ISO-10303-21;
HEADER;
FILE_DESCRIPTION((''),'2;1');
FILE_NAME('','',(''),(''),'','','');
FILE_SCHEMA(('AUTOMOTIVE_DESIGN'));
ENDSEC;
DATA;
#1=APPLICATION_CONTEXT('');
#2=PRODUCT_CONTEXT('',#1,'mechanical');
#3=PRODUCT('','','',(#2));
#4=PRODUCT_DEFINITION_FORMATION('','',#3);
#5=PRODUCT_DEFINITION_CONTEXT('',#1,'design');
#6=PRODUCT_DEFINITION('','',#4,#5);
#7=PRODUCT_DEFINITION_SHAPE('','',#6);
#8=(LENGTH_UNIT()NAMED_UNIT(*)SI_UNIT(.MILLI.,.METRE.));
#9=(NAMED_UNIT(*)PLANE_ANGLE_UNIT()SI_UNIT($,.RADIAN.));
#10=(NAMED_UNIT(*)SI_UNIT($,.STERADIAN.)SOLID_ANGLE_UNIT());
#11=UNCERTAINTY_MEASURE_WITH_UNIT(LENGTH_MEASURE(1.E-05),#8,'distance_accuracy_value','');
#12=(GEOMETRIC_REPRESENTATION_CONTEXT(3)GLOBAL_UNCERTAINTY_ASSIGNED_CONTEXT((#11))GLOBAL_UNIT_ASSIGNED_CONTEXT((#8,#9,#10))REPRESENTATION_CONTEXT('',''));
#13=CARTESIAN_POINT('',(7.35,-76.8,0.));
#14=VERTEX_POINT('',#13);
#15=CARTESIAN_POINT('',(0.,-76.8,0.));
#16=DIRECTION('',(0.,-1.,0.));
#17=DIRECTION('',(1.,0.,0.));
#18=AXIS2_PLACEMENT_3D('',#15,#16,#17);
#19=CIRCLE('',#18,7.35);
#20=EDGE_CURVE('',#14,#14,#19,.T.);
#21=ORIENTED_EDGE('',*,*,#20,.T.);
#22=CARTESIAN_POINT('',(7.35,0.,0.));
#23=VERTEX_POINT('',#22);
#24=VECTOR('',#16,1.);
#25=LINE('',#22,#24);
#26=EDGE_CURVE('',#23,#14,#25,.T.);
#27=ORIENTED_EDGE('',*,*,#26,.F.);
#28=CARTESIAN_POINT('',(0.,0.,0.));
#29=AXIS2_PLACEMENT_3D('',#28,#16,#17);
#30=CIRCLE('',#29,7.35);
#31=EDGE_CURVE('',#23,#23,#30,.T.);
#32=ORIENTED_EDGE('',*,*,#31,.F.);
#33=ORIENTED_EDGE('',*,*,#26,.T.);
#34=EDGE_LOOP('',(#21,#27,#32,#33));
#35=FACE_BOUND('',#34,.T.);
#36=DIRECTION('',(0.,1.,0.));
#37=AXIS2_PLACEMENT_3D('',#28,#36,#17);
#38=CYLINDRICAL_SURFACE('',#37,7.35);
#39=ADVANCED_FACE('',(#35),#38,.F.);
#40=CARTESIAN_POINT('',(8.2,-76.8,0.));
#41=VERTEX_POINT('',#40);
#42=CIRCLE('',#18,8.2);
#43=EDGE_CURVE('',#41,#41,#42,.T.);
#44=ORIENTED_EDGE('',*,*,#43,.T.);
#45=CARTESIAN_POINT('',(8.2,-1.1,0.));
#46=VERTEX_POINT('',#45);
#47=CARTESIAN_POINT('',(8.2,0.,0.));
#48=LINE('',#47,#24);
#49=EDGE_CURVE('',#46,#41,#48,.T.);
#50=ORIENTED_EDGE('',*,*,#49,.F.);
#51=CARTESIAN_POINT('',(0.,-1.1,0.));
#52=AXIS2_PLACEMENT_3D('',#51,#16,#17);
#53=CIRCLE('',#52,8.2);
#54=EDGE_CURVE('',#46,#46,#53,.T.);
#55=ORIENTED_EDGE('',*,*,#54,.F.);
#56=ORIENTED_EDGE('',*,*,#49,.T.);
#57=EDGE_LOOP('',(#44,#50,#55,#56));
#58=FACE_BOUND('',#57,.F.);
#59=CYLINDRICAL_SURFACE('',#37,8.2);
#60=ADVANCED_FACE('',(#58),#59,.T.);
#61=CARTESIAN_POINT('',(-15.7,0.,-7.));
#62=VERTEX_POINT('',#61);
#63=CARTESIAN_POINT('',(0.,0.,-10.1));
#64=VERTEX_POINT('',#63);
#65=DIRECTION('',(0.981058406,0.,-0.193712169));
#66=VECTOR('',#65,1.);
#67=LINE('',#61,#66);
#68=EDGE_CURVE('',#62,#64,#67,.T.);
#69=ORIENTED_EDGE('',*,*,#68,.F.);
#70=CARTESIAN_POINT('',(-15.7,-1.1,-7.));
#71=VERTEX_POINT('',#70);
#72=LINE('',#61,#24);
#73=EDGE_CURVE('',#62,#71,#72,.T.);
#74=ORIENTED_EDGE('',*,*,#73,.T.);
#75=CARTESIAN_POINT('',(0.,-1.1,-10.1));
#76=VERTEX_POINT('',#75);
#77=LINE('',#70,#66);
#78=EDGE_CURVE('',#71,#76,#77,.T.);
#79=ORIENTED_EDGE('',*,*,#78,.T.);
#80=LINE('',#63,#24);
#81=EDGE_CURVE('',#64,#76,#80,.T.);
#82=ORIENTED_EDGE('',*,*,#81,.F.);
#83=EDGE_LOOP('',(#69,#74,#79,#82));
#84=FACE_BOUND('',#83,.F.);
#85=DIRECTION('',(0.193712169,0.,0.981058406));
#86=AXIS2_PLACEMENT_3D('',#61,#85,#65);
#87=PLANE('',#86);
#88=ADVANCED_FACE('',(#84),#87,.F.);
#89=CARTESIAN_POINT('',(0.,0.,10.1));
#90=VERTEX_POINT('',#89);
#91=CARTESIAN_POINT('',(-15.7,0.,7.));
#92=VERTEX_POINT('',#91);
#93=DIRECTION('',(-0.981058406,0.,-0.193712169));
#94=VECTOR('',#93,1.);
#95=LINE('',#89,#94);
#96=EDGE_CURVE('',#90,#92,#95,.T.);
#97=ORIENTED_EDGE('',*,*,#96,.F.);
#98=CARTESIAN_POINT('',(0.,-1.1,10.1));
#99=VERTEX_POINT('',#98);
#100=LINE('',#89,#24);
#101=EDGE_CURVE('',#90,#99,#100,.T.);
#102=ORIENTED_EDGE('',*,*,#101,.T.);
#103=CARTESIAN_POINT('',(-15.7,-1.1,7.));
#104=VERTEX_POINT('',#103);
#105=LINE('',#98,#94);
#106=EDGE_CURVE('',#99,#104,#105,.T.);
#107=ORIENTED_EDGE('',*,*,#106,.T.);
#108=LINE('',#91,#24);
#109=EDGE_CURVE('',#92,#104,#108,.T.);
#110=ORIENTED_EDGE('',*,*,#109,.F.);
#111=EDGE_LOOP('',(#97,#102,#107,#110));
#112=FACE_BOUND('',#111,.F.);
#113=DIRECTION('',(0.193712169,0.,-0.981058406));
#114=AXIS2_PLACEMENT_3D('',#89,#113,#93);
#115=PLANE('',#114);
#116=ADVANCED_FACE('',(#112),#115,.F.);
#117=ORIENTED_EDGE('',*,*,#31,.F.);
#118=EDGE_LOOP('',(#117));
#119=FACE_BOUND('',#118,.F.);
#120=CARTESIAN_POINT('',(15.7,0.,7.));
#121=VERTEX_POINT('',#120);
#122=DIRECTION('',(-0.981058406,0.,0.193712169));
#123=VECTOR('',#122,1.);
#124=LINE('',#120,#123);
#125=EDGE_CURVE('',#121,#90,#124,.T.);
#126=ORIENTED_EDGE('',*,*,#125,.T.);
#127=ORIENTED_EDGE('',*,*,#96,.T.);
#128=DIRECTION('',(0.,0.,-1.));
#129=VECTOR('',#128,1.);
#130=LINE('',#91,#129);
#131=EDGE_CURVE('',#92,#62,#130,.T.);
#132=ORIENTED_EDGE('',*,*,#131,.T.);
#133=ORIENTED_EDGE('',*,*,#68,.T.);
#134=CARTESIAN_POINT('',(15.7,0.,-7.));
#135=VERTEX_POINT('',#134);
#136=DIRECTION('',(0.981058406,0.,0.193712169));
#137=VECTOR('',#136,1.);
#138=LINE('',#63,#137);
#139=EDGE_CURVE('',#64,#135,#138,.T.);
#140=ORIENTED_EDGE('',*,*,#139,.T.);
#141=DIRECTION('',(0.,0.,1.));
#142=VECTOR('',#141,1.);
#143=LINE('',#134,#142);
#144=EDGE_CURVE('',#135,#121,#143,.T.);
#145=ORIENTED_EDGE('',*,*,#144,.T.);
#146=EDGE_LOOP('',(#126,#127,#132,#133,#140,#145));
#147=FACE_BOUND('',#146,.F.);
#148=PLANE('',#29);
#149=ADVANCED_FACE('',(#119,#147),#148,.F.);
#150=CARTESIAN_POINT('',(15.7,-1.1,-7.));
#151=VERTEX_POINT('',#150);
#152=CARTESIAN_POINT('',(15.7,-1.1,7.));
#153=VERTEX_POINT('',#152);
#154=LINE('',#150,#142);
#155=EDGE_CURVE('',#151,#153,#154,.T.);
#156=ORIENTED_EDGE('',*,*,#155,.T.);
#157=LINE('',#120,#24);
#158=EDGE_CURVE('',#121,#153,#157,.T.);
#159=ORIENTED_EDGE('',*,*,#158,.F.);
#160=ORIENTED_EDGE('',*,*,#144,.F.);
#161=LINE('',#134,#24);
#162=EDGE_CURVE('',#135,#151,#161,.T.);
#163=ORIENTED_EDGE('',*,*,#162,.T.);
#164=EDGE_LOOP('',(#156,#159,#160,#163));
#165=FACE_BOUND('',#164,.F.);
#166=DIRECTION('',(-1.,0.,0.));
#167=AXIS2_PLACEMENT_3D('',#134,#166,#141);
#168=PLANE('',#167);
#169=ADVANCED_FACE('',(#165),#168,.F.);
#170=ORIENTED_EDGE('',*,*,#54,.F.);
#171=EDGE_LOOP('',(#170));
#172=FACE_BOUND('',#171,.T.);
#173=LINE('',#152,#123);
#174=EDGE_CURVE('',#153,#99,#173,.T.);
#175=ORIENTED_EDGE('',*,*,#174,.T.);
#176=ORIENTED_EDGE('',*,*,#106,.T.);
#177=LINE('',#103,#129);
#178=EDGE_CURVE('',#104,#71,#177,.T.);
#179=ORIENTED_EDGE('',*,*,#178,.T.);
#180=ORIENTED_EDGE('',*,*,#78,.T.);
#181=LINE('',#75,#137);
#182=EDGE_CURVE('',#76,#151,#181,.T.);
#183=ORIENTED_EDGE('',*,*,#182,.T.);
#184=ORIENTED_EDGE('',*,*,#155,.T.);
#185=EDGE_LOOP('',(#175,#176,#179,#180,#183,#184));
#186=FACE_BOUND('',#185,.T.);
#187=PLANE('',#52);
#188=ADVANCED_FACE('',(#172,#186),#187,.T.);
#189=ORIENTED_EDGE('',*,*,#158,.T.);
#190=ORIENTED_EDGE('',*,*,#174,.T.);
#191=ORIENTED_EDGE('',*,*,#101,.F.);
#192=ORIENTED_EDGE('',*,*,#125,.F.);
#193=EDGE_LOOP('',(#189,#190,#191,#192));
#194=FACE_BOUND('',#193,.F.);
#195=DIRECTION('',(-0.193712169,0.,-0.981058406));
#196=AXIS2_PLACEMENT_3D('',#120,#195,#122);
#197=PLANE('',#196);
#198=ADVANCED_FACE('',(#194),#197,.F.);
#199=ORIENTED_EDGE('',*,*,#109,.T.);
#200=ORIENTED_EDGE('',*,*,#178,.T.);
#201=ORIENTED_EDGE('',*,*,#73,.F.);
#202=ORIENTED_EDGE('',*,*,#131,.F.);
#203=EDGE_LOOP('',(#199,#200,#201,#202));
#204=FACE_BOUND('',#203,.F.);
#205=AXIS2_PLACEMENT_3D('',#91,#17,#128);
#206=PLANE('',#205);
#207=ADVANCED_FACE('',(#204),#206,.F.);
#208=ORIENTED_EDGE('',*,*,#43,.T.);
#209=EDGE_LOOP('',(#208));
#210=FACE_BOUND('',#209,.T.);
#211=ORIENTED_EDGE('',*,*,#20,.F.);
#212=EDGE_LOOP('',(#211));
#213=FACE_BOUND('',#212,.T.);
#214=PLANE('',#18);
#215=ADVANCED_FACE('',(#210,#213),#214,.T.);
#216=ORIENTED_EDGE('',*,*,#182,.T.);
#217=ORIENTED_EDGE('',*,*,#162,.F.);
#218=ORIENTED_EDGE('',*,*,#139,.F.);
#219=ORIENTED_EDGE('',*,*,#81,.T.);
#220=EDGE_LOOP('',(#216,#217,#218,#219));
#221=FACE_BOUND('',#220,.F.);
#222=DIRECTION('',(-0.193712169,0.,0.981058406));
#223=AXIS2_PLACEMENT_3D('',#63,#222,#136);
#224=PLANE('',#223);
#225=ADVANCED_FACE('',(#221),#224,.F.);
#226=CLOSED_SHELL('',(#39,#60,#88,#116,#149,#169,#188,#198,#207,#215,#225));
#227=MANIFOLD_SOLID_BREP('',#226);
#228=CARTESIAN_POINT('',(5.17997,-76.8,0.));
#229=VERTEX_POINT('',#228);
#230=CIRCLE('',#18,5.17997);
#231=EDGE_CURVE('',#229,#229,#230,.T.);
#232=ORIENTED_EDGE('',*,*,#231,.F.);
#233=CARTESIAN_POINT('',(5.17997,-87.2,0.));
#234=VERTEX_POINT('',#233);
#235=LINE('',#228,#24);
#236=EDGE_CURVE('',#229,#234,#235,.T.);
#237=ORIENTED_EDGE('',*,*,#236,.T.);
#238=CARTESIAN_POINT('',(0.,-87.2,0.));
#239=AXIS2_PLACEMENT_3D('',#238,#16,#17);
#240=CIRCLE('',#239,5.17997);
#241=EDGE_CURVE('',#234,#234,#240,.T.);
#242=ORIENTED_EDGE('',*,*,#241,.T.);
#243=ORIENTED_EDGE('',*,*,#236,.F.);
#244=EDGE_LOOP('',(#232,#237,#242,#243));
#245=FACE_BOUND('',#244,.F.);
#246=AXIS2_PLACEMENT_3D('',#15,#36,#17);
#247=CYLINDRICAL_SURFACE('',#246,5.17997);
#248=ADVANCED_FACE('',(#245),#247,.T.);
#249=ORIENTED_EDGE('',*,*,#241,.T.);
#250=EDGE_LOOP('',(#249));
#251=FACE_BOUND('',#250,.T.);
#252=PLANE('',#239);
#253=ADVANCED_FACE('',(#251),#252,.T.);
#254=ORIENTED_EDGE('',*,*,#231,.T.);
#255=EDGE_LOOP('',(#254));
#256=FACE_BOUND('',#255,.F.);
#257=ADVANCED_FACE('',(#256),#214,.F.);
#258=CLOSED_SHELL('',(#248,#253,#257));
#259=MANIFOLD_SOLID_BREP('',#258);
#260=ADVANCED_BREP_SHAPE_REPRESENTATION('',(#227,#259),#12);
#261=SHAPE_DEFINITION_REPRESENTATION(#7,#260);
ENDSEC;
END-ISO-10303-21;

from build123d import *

# Parameters (mm, degrees)
F0_R     = 8.2
F0_R_2   = 7.35
F1_DEPTH = 76.8
F2_DEPTH = 1.1
F3_R     = 5.17997
F4_DEPTH = 10.4


with BuildPart() as f1:
    # F0 (on Front) → F1 (new body)
    with BuildSketch(Plane.XZ):
        Circle(F0_R)
        Circle(F0_R_2, mode=Mode.SUBTRACT)
    extrude(amount=F1_DEPTH)

    # F0 (on Front) → F2 (join)
    with BuildSketch(Plane.XZ):
        Polygon((15.7, 7), (0, 10.1), (-15.7, 7), (-15.7, -7), (0, -10.1), (15.7, -7), align=None)
        Circle(F0_R, mode=Mode.SUBTRACT)
    extrude(amount=F2_DEPTH)


with BuildPart() as f4:
    # F3 (on face) → F4 (new body)
    with BuildSketch(Plane.XZ.offset(76.8)):
        Circle(F3_R)
    extrude(amount=F4_DEPTH)


solid = Compound([f1.part, f4.part])
